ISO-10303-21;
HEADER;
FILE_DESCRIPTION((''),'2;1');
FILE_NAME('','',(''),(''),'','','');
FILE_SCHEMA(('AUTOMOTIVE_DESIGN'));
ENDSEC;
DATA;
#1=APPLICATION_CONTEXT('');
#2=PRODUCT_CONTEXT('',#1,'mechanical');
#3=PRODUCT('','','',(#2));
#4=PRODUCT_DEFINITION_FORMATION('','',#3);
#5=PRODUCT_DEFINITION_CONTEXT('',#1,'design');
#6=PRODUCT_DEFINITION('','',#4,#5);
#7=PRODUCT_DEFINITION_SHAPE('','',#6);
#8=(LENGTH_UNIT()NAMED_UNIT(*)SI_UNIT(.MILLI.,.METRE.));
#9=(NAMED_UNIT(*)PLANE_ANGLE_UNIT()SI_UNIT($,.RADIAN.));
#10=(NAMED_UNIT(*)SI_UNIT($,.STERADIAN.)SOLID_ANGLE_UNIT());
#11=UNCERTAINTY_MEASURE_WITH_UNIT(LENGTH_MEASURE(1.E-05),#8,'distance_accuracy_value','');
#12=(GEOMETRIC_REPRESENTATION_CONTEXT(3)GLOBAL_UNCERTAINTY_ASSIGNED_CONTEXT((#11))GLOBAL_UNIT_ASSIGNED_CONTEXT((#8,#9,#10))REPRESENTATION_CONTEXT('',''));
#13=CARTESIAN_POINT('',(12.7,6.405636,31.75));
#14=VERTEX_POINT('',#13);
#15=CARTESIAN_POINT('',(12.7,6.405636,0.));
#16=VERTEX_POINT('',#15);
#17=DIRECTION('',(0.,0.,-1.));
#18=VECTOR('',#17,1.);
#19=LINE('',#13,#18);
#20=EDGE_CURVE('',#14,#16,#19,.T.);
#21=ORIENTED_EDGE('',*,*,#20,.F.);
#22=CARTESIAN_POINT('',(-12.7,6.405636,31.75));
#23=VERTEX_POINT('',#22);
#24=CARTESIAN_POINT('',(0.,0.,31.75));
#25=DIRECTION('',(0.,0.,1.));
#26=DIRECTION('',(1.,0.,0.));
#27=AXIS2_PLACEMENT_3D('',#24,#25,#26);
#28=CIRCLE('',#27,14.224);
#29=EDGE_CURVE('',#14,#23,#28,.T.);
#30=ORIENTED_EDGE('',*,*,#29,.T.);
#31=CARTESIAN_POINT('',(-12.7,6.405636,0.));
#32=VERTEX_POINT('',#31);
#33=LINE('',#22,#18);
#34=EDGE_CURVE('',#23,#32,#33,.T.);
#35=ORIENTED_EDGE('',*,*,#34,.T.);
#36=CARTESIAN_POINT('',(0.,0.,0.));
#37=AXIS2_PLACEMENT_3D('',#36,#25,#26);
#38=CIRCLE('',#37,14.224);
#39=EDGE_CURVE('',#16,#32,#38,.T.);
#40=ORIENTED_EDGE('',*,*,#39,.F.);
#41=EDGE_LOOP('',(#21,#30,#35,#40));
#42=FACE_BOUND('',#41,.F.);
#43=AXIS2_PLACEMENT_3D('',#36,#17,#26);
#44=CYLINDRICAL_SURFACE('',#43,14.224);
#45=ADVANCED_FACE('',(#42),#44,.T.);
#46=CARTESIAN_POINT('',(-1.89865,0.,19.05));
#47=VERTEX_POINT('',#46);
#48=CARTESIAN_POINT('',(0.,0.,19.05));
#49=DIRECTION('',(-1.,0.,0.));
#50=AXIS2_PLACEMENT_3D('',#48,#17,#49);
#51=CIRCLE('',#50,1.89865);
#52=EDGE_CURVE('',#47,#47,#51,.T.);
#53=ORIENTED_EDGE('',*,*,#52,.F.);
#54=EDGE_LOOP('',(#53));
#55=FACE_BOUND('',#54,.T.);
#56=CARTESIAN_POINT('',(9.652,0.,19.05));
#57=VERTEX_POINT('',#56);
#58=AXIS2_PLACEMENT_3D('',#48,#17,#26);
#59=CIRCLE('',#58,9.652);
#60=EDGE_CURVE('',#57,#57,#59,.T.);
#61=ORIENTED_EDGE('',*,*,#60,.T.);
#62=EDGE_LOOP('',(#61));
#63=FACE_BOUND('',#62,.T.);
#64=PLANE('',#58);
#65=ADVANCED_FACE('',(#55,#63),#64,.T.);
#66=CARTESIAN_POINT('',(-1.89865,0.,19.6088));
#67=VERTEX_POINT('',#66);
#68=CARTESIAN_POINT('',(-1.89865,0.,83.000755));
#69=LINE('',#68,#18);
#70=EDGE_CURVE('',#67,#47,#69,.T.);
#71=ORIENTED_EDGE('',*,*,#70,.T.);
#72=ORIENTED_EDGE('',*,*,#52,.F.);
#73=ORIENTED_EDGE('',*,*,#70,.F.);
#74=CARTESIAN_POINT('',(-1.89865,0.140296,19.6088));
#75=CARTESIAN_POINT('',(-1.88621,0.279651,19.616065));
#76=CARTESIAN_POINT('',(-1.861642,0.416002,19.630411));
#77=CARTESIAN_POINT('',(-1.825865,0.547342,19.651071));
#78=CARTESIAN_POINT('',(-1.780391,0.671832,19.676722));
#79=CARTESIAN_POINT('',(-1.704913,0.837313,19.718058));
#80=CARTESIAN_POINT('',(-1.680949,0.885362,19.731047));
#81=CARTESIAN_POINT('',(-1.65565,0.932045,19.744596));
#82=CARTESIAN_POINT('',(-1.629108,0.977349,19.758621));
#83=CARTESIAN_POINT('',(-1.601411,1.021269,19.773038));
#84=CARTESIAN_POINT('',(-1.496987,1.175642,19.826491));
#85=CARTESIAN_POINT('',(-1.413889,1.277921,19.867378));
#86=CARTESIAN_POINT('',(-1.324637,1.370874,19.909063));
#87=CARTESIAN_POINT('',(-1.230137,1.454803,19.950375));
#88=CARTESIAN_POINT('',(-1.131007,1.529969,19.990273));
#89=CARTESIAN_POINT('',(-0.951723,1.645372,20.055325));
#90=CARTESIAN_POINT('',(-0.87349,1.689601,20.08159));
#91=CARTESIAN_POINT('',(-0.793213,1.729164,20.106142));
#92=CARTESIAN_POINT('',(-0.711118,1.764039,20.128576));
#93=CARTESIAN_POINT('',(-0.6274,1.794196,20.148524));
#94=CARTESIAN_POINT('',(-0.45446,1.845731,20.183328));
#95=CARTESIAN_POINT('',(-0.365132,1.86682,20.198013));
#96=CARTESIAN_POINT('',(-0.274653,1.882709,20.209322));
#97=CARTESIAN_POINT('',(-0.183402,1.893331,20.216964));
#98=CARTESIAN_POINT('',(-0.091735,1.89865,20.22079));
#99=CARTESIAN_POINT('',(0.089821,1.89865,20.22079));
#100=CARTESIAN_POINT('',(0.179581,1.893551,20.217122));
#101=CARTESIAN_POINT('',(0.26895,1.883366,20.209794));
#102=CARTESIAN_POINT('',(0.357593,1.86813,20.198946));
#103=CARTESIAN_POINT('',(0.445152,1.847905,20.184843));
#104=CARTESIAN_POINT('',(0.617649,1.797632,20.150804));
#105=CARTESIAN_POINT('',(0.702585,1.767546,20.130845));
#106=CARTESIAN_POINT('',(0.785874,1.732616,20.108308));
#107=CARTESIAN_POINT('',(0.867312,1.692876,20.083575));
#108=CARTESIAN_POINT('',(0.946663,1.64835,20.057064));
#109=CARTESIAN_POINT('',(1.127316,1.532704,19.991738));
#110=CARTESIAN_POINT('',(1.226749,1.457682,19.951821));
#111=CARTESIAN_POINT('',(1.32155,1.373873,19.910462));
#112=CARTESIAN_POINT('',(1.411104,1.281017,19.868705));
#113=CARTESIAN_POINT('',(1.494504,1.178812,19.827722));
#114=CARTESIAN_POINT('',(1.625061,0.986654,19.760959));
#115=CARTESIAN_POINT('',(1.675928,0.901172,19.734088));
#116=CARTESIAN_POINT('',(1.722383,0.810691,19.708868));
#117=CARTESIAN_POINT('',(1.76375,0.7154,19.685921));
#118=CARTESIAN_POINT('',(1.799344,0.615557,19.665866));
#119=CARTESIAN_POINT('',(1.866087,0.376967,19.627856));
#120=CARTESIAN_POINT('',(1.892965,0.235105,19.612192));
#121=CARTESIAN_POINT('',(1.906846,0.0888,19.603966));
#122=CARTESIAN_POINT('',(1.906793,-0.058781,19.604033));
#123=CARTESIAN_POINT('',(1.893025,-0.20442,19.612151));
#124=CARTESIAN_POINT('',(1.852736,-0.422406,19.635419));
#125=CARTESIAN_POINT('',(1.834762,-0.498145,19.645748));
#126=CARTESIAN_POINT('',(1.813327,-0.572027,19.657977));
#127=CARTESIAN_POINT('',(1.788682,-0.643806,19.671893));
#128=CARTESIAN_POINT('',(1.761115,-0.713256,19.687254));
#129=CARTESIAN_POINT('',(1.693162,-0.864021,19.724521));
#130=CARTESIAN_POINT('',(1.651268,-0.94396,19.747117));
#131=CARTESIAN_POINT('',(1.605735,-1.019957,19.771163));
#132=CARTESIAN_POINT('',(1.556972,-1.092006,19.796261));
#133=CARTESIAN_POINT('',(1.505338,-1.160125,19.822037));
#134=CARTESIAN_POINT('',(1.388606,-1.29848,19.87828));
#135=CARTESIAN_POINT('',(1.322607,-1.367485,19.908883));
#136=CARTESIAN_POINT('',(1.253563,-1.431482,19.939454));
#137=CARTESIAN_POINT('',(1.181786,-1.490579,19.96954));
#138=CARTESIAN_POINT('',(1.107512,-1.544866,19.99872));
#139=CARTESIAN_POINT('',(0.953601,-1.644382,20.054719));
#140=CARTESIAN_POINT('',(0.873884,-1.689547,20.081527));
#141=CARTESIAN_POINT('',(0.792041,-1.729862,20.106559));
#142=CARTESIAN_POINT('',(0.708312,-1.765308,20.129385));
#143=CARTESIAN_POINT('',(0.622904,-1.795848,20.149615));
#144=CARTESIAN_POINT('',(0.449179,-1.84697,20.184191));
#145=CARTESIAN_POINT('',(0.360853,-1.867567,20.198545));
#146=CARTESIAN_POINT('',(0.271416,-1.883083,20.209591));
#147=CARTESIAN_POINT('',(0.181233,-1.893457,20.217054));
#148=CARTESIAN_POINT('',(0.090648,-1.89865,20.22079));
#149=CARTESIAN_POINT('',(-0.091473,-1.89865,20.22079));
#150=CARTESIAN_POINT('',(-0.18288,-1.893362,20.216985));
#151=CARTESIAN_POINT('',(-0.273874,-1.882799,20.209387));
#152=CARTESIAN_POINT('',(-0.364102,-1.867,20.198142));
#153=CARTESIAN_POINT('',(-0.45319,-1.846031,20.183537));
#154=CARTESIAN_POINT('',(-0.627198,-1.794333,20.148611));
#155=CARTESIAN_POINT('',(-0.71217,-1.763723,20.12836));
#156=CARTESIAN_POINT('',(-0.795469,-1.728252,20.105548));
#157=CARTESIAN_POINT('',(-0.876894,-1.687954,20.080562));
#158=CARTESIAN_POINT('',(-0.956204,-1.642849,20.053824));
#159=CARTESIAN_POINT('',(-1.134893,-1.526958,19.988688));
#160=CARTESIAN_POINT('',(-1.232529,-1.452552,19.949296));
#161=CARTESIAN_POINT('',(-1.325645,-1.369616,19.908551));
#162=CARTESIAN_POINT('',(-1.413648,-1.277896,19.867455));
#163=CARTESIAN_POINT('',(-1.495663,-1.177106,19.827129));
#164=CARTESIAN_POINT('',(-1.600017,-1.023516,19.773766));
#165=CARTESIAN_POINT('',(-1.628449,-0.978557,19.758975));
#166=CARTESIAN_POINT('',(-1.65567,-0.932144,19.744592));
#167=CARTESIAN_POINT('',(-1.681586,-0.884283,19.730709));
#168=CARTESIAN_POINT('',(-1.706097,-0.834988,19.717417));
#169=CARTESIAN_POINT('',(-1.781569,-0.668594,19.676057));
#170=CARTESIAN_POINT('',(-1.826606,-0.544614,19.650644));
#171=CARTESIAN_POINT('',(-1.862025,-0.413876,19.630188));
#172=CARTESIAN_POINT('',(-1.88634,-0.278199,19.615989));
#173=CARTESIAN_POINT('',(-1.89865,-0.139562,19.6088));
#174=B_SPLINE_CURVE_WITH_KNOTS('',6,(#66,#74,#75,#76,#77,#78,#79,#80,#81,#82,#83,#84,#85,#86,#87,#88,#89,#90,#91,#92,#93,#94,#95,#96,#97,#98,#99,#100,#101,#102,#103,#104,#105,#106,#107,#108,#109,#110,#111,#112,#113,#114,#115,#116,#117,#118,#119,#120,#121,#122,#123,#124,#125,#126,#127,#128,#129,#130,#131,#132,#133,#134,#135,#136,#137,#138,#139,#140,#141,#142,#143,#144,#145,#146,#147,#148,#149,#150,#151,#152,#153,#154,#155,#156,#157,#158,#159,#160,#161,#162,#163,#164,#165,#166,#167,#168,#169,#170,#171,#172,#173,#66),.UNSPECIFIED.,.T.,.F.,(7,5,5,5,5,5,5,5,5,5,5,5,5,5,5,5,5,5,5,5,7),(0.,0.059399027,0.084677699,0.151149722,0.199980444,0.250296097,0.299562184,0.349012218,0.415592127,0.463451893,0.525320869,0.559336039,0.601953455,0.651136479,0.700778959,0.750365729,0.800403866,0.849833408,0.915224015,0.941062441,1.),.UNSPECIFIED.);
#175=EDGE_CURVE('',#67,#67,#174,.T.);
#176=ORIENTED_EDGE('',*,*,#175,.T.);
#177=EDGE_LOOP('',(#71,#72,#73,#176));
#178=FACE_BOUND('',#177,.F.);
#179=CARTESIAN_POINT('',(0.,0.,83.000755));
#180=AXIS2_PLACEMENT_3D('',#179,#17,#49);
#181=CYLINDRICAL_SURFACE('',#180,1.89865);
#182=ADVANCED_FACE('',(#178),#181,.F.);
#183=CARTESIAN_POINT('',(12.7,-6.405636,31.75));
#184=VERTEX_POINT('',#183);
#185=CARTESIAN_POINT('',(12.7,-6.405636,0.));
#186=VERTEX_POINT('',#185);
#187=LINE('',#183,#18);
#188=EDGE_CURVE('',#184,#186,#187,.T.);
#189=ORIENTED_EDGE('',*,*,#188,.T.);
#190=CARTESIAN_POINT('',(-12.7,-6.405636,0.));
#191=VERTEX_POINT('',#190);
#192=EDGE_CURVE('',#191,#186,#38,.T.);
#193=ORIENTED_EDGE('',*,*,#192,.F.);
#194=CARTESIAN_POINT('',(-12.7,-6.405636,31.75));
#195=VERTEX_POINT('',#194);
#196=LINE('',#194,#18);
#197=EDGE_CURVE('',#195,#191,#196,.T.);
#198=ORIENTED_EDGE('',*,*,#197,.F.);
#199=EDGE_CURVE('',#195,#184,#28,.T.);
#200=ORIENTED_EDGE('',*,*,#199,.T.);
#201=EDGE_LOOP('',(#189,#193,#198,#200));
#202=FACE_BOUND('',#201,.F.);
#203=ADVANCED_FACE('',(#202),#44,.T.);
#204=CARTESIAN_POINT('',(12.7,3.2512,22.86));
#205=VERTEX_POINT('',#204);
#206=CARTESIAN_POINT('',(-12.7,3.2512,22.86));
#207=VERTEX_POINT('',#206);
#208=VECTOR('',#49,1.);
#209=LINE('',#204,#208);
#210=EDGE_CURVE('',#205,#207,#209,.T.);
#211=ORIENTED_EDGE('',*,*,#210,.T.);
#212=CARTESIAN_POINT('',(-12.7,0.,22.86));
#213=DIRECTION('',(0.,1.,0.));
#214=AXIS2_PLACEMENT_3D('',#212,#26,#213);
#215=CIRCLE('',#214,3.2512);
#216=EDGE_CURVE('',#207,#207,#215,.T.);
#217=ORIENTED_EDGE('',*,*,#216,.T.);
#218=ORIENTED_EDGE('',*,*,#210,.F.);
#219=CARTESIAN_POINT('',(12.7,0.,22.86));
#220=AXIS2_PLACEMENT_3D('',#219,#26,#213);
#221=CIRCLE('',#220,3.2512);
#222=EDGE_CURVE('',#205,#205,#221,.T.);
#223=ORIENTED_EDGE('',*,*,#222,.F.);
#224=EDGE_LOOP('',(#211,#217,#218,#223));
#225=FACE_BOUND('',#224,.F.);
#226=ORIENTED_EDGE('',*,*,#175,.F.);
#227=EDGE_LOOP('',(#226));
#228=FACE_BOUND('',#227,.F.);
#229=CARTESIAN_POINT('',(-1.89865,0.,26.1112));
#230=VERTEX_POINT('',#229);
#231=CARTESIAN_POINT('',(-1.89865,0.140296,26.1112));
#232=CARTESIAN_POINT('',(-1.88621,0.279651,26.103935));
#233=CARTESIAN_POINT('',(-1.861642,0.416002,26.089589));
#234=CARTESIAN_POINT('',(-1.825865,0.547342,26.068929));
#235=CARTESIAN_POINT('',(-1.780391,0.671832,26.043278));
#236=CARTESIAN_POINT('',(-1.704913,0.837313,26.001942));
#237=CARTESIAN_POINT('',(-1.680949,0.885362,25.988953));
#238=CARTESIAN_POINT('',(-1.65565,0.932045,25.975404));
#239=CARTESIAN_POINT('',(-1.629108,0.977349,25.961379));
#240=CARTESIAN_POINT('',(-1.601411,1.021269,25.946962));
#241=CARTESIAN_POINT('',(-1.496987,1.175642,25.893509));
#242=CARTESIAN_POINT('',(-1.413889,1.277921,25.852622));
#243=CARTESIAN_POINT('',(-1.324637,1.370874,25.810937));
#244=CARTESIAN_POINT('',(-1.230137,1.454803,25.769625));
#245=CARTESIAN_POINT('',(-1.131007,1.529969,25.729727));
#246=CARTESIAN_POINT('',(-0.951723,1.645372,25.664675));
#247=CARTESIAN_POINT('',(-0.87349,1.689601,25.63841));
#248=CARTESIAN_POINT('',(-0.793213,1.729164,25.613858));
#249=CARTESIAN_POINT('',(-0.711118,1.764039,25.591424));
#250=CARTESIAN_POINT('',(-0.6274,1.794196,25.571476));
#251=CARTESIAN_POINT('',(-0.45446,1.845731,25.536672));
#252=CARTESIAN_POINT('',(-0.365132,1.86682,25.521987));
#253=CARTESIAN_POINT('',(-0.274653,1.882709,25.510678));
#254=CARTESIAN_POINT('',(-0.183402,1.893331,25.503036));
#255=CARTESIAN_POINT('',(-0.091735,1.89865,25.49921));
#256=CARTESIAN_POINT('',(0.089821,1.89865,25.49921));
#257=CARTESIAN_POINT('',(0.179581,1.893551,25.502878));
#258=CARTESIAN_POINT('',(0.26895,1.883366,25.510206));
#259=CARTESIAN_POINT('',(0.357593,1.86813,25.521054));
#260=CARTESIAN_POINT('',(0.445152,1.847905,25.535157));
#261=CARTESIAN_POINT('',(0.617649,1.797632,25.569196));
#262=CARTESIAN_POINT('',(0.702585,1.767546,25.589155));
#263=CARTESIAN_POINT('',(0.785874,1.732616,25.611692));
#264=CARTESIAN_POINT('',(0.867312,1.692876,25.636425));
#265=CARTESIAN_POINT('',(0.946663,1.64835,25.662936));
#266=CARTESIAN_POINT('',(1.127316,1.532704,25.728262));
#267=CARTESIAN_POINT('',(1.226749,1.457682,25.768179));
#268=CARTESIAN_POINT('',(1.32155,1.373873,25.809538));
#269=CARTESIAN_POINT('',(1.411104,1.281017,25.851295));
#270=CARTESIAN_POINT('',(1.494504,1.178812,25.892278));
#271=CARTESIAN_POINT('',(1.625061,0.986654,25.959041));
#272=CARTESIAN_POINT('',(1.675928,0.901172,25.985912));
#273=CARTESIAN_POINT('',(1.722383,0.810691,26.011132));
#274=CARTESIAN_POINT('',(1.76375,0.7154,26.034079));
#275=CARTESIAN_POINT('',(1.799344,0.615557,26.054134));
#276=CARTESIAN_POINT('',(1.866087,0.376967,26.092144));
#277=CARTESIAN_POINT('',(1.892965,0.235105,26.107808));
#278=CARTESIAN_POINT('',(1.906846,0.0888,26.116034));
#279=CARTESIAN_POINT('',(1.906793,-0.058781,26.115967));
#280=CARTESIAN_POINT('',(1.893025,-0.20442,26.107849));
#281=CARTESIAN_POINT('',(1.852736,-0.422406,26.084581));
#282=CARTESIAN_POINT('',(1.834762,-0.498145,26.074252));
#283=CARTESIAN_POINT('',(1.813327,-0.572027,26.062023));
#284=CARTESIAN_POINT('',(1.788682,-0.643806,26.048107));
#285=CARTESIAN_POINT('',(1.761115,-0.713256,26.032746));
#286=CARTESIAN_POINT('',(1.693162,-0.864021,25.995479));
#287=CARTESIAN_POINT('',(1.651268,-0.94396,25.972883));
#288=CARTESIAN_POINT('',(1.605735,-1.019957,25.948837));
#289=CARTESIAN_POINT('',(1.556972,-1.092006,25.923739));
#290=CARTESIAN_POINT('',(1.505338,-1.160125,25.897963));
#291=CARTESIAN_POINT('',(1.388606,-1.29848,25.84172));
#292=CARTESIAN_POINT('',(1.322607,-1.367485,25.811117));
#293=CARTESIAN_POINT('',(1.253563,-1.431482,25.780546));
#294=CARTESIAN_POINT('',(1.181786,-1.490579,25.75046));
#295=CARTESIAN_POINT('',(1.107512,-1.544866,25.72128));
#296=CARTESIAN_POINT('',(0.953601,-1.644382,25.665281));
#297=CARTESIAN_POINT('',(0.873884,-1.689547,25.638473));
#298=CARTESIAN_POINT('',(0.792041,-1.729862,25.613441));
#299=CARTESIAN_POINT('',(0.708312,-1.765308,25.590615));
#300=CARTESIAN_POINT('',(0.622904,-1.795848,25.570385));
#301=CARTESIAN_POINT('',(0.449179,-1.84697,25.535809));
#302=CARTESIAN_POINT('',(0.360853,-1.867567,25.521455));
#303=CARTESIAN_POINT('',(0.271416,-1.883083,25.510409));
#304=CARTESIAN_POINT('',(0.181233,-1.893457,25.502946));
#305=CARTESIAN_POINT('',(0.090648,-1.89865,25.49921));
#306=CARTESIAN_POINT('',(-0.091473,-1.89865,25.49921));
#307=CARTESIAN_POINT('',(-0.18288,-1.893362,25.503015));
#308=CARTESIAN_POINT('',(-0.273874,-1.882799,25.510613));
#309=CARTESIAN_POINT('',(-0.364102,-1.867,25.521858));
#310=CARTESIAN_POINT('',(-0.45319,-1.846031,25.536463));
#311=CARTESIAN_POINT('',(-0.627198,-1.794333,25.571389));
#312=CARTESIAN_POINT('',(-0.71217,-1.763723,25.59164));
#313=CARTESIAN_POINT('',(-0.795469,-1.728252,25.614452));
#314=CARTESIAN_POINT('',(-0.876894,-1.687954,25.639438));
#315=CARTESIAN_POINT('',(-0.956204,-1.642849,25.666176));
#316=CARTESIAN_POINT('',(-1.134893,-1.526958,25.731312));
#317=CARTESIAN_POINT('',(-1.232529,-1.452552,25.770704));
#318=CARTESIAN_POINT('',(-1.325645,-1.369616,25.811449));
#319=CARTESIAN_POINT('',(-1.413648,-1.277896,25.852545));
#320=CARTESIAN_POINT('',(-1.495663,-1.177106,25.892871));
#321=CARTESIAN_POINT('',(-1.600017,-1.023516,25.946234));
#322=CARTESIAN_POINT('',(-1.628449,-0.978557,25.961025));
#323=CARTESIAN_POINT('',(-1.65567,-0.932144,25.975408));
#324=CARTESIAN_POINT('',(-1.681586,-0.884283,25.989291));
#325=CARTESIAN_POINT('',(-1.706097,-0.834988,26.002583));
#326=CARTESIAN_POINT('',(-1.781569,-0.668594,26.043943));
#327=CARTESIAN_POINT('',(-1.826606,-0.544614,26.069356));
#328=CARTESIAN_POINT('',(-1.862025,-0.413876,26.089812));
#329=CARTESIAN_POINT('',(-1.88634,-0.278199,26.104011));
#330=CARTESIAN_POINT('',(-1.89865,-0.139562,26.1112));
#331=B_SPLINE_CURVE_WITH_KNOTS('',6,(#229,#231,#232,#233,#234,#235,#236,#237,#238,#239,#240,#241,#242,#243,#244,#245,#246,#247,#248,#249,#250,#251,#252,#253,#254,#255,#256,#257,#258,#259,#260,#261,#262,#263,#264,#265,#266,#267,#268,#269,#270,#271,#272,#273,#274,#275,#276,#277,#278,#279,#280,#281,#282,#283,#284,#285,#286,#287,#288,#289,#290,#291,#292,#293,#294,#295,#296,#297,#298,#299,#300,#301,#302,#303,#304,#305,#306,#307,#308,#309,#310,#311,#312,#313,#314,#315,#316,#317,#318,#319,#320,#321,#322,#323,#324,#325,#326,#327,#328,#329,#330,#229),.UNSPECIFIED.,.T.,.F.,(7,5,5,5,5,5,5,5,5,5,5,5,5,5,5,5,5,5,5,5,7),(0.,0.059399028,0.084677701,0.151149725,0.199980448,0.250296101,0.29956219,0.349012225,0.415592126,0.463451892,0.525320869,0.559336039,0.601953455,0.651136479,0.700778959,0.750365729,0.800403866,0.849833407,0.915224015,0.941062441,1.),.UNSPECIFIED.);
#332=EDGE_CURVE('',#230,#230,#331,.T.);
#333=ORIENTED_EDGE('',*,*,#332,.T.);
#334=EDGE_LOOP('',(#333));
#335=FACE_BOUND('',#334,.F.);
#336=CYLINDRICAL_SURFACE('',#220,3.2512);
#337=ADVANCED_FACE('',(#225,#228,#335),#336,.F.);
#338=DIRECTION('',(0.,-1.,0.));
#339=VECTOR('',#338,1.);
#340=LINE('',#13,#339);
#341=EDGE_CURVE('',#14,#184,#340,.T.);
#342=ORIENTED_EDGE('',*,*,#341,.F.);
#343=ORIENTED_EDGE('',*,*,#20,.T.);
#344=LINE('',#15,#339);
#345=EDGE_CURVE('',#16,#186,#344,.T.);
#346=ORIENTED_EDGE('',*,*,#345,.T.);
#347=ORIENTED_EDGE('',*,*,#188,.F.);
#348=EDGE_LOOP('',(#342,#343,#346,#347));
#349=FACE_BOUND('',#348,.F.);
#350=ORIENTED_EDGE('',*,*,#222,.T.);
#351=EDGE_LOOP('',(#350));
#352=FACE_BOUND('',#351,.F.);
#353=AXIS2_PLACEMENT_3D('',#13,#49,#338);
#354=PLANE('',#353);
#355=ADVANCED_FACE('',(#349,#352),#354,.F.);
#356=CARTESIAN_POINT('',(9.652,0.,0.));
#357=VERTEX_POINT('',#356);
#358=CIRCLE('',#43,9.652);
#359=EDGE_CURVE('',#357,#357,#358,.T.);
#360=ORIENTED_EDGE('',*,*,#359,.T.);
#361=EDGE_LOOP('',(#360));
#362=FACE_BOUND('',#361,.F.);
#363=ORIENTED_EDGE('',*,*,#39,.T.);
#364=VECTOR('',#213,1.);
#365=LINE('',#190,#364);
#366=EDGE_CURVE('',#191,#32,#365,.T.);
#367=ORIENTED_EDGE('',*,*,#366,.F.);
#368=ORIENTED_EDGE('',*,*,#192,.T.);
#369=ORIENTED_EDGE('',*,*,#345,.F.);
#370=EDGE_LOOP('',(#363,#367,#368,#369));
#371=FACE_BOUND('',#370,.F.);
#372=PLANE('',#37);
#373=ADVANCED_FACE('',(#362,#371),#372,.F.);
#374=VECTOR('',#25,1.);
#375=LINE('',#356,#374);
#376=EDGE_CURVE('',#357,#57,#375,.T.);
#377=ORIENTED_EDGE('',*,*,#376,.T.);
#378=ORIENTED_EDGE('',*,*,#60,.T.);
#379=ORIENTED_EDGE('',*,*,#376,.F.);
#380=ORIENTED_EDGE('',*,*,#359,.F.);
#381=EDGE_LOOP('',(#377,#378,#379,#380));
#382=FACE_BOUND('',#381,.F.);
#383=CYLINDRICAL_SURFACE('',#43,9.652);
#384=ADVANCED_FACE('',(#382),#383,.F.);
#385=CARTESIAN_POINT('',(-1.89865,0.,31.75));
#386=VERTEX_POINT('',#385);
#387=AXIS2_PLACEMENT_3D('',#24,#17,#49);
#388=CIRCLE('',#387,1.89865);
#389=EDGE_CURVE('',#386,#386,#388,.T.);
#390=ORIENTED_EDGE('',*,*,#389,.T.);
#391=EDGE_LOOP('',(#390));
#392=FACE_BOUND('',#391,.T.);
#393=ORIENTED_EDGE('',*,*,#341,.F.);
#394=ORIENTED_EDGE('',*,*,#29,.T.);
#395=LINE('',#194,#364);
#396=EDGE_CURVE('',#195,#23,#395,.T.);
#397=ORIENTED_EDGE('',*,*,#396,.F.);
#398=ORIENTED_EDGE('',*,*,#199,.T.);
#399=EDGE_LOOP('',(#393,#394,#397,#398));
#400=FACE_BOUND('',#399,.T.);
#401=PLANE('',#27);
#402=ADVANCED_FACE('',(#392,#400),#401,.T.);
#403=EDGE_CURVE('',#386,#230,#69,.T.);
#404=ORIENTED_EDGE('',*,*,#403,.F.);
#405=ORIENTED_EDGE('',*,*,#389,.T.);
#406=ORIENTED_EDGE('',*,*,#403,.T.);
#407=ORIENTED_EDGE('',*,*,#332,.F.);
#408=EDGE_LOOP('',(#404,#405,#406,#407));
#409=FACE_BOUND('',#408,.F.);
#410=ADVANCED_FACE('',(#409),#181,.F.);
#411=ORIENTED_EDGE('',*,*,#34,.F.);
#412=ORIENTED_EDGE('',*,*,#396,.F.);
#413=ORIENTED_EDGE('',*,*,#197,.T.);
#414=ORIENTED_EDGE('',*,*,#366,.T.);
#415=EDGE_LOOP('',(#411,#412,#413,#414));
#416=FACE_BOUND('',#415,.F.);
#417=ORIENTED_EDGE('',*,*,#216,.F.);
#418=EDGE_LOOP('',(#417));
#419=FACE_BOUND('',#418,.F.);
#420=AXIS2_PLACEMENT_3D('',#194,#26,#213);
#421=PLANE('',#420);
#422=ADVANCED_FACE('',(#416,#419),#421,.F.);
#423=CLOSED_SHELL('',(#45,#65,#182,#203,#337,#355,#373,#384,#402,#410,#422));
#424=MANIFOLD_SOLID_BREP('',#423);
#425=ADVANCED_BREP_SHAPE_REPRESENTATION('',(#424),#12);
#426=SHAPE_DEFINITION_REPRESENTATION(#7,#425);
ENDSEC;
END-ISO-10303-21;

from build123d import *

# Parameters (mm, degrees)
F0_R     = 14.224
F1_DEPTH = 31.75
F2_R     = 9.652
F3_DEPTH = 19.05
F5_D     = 3.7973
F7_DEPTH = 31.75
F8_R     = 3.2512
F9_DEPTH = 25.401


with BuildPart() as f1:
    # F0 (on Top) → F1 (new body)
    with BuildSketch(Plane.XY):
        Circle(F0_R)
    extrude(amount=F1_DEPTH)

    # F2 (on face) → F3 (cut)
    with BuildSketch(Plane(origin=(0, 0, 0), x_dir=(1, 0, 0), z_dir=(0, 0, -1))):
        Circle(F2_R)
    extrude(amount=-F3_DEPTH, mode=Mode.SUBTRACT)

    # F5 (through all)
    with Locations(Plane.XY.offset(31.75)):
        with Locations((0, 0)):
            Hole(F5_D / 2)

    # F6 (on face) → F7 (cut, through all)
    with BuildSketch(Plane.XY.offset(31.75)):
        with BuildLine():
            Line((-12.7, -6.4056362682), (-12.7, 6.4056362682))
            ThreePointArc((-12.7, 6.4056362682), (-14.224, 0), (-12.7, -6.4056362682))
        make_face()
        with BuildLine():
            ThreePointArc((12.7, -6.4056362682), (14.224, 0), (12.7, 6.4056362682))
            Line((12.7, 6.4056362682), (12.7, -6.4056362682))
        make_face()
    extrude(amount=-F7_DEPTH, mode=Mode.SUBTRACT)

    # F8 (on face) → F9 (cut, through all)
    with BuildSketch(Plane.YZ.offset(12.7)):
        with Locations((0, 22.86)):
            Circle(F8_R)
    extrude(amount=-F9_DEPTH, mode=Mode.SUBTRACT)


solid = f1.part
